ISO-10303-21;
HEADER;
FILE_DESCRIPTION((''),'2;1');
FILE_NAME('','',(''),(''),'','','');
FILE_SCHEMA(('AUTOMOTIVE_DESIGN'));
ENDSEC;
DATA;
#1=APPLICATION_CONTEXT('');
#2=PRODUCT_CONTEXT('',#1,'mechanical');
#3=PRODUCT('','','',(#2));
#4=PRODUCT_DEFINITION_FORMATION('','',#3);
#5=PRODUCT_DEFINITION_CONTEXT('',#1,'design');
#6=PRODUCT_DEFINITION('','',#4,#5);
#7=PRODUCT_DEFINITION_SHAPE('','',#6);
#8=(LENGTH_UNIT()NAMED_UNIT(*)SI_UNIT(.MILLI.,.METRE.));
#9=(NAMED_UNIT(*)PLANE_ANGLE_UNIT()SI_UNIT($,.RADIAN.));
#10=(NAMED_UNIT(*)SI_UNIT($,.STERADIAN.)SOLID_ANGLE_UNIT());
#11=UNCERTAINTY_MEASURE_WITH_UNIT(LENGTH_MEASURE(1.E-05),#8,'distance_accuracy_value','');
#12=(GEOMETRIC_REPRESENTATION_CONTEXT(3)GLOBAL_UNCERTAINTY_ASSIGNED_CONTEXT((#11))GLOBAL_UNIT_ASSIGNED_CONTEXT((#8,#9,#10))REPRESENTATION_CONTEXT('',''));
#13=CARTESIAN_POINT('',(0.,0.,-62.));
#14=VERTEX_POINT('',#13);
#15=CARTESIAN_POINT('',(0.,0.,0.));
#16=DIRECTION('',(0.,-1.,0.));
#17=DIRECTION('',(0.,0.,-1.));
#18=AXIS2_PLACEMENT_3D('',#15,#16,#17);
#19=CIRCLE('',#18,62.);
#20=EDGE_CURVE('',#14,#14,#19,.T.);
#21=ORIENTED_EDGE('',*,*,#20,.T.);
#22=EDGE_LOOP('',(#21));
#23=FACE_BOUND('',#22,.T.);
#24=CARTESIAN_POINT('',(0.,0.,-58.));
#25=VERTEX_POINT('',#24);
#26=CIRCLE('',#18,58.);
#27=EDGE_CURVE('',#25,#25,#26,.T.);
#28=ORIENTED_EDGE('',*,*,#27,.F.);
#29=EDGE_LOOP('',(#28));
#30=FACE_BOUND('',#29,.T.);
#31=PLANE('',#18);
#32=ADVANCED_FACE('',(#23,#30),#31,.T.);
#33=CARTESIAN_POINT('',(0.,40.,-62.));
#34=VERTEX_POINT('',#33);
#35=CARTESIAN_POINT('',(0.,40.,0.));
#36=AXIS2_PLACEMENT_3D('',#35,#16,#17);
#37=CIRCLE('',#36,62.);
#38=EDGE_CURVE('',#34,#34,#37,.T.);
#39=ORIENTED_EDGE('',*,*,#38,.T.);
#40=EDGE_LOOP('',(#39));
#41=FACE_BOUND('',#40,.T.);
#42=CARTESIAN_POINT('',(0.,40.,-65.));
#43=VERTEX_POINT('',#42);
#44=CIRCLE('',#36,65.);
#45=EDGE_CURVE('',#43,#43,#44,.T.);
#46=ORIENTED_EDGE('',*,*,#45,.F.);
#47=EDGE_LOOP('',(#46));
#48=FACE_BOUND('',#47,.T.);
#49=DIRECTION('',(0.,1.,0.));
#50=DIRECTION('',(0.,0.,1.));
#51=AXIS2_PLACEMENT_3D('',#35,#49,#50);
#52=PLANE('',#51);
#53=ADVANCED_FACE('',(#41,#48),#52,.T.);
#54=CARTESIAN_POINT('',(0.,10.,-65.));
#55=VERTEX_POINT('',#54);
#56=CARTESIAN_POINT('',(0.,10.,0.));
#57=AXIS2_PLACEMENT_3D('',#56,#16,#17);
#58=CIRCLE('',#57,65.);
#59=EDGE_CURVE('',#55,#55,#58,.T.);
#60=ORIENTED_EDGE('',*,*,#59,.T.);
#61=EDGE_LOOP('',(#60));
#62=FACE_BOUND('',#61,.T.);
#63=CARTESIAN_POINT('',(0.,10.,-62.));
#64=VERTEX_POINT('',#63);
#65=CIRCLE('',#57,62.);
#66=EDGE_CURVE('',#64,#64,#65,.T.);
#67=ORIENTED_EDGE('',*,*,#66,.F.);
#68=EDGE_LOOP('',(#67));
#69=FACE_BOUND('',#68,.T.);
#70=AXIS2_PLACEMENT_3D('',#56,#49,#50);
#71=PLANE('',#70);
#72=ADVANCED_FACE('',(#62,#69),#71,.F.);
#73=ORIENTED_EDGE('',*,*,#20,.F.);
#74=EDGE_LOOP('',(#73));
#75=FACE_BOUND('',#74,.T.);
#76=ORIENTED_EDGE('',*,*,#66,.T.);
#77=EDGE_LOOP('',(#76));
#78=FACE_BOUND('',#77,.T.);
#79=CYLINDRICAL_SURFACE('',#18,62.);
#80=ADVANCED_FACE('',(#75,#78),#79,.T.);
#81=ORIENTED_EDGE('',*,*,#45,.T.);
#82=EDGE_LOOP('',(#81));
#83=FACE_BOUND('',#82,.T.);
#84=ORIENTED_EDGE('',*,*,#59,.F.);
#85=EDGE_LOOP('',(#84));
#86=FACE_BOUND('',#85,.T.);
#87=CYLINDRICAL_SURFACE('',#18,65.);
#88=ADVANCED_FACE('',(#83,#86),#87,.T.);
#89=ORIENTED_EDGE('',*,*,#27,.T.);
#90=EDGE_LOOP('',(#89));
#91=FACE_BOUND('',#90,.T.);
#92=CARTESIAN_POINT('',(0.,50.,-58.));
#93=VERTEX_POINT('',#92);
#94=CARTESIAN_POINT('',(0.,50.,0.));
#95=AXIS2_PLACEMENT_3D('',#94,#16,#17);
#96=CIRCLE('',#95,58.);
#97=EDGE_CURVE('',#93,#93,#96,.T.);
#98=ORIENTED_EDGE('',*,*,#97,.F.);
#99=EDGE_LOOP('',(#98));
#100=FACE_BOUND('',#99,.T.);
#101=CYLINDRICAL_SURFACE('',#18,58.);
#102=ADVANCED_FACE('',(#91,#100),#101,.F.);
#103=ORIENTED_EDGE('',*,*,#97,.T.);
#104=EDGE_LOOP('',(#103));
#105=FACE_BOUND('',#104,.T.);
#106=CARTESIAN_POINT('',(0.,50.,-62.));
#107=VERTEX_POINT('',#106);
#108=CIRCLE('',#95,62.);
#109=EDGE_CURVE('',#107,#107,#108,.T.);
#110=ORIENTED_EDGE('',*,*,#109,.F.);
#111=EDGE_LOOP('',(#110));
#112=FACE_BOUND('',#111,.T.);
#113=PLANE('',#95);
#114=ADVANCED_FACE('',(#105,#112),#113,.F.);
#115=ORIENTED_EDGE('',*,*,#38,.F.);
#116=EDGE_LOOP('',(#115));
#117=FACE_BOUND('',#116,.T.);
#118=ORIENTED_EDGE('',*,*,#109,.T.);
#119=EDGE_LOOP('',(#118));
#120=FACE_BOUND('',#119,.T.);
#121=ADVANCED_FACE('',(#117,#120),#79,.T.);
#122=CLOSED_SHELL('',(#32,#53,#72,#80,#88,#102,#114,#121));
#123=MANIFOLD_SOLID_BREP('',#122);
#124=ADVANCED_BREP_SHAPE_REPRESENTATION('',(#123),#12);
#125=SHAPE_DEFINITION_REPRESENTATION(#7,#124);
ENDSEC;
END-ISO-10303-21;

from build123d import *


with BuildPart() as part:
    # Szkic1 → Obrót1 (revolve)
    with BuildSketch(Plane.XY, mode=Mode.PRIVATE) as obr_t1_sk:
        Polygon((-62, 0), (-58, 0), (-58, 50), (-62, 50), (-62, 40), (-65, 40), (-65, 10), (-62, 10), align=None)
    revolve(obr_t1_sk.sketch.rotate(Axis((0, 0, 0), (0, 1, 0)), 270), axis=Axis((0, 0, 0), (0, 1, 0)))


solid = part.part
